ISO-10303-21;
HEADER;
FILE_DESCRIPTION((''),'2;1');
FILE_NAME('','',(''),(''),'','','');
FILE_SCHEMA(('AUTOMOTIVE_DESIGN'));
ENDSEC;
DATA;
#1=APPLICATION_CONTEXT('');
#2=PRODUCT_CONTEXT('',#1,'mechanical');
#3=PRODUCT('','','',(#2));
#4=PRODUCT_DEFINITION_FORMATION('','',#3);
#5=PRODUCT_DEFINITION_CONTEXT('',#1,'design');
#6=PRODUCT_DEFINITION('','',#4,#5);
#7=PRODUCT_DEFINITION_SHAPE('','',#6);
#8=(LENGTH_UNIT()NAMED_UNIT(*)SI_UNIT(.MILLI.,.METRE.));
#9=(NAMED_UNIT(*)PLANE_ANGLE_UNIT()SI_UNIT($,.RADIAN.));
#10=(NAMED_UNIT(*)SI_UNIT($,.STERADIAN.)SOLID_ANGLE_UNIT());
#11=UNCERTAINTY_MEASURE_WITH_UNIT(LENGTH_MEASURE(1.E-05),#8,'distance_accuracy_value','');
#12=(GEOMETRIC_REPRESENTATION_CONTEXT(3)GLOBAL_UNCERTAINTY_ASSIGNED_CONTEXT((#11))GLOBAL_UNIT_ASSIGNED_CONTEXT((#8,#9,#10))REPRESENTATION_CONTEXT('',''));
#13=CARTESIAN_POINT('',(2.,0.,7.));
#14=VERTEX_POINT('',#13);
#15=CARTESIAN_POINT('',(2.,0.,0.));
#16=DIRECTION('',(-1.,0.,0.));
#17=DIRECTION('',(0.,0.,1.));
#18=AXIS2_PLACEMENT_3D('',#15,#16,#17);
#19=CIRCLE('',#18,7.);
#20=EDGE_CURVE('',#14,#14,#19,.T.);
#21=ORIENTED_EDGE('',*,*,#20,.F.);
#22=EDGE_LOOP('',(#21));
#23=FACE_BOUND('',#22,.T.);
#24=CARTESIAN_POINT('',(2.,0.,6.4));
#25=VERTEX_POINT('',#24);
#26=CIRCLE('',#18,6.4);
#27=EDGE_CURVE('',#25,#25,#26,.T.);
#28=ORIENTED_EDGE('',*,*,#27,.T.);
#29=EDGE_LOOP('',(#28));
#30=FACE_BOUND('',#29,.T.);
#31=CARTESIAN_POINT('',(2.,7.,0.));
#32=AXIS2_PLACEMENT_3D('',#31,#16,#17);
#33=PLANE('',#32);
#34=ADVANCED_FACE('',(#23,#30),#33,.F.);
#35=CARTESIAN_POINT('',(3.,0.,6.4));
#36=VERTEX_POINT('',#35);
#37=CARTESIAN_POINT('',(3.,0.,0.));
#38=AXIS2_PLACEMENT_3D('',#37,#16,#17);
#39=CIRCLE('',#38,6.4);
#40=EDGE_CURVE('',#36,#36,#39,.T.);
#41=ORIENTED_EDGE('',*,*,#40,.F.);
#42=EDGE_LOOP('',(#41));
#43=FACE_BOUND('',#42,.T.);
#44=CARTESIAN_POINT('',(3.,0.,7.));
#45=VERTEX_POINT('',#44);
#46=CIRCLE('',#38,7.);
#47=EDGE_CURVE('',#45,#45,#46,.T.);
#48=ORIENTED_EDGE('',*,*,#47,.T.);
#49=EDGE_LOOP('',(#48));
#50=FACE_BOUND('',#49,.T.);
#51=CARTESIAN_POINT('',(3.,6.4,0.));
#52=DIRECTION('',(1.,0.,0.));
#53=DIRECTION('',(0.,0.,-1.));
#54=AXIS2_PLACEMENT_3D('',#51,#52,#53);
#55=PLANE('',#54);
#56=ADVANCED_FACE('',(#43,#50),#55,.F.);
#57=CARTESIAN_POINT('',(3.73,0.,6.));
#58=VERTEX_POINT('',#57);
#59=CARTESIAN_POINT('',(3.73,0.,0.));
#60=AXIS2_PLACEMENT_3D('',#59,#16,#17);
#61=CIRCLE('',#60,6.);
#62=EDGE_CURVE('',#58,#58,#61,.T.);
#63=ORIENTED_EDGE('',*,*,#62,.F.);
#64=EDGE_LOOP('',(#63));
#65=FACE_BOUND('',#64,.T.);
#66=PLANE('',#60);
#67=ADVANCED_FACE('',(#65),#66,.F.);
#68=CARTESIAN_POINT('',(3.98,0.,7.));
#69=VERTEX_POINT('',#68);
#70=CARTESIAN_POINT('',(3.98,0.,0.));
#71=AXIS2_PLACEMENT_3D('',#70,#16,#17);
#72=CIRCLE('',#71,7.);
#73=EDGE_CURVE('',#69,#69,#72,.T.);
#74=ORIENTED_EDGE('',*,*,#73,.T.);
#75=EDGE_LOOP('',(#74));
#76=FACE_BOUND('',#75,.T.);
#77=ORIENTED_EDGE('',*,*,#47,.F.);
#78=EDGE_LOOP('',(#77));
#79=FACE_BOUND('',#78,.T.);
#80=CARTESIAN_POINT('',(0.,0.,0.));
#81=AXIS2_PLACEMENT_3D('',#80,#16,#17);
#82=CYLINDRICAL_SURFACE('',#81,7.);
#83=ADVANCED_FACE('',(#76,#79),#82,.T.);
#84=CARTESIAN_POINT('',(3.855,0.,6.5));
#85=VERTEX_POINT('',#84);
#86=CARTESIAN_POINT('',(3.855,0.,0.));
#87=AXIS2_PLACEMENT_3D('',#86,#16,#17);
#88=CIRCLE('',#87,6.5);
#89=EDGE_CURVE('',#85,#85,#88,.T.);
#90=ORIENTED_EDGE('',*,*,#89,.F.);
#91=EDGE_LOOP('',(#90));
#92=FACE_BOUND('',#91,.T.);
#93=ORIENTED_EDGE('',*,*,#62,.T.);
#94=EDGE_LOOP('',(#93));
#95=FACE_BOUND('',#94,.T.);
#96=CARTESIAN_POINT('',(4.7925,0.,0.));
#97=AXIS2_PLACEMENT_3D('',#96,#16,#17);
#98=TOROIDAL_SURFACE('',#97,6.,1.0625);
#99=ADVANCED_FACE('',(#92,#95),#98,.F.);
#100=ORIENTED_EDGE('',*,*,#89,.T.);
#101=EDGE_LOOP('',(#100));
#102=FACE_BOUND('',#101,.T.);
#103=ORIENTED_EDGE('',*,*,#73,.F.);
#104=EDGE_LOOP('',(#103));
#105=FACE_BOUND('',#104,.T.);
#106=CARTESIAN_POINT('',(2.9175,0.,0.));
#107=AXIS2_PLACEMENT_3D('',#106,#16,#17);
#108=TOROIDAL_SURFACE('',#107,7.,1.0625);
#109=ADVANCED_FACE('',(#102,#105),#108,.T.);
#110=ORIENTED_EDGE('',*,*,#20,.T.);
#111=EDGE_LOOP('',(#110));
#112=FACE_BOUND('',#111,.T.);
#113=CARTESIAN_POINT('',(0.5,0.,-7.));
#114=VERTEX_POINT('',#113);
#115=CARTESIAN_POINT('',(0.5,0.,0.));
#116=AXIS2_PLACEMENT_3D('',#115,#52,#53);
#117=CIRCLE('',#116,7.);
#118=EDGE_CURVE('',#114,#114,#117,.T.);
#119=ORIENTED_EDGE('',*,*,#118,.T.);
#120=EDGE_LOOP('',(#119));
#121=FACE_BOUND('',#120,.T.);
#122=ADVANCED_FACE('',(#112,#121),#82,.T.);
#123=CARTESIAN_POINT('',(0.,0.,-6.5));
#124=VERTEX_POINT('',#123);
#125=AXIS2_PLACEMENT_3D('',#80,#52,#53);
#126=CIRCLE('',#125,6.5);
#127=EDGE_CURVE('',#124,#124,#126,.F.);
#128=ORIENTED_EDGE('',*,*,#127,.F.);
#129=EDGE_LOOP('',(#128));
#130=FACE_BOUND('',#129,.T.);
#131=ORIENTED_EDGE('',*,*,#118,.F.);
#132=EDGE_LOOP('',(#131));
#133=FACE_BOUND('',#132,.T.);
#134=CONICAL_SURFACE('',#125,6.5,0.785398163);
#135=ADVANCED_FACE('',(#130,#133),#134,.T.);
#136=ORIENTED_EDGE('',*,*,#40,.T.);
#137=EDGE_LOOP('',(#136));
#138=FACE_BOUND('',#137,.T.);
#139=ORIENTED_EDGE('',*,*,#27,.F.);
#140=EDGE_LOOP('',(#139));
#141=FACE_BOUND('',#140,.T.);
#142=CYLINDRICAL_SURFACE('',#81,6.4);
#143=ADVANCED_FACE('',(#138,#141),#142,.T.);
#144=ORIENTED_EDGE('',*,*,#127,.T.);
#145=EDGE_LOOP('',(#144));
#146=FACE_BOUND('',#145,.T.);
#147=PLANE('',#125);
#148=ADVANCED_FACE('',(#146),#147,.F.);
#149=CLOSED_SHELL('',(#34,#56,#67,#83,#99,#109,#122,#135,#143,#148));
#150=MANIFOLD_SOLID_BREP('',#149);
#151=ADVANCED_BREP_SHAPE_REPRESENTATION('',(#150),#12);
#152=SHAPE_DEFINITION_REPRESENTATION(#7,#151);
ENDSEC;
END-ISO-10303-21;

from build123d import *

# Parameters (mm, degrees)
CHAMFER1_SIZE = 0.5


with BuildPart() as part:
    # Sketch1 → Revolve1 (revolve)
    with BuildSketch(Plane.XY, mode=Mode.PRIVATE) as revolve1_sk:
        with BuildLine():
            Line((0, 0), (0, 7))
            Line((0, 7), (2, 7))
            Line((2, 7), (2, 6.4))
            Line((2, 6.4), (3, 6.4))
            Line((3, 6.4), (3, 7))
            Line((3, 7), (3.98, 7))
            ThreePointArc((3.98, 7), (3.948276406, 6.742305898), (3.855, 6.5))
            ThreePointArc((3.855, 6.5), (3.761723594, 6.257694102), (3.73, 6))
            Line((3.73, 6), (3.73, 0))
            Line((3.73, 0), (0, 0))
        make_face()
    revolve(revolve1_sk.sketch.rotate(Axis((0, 0, 0), (1, 0, 0)), 90), axis=Axis((0, 0, 0), (1, 0, 0)))

    # Chamfer1
    chamfer1_edges = [part.edges().sort_by_distance(p)[0] for p in [
        (0, 0, -7),
    ]]
    chamfer(chamfer1_edges, length=CHAMFER1_SIZE)


solid = part.part
